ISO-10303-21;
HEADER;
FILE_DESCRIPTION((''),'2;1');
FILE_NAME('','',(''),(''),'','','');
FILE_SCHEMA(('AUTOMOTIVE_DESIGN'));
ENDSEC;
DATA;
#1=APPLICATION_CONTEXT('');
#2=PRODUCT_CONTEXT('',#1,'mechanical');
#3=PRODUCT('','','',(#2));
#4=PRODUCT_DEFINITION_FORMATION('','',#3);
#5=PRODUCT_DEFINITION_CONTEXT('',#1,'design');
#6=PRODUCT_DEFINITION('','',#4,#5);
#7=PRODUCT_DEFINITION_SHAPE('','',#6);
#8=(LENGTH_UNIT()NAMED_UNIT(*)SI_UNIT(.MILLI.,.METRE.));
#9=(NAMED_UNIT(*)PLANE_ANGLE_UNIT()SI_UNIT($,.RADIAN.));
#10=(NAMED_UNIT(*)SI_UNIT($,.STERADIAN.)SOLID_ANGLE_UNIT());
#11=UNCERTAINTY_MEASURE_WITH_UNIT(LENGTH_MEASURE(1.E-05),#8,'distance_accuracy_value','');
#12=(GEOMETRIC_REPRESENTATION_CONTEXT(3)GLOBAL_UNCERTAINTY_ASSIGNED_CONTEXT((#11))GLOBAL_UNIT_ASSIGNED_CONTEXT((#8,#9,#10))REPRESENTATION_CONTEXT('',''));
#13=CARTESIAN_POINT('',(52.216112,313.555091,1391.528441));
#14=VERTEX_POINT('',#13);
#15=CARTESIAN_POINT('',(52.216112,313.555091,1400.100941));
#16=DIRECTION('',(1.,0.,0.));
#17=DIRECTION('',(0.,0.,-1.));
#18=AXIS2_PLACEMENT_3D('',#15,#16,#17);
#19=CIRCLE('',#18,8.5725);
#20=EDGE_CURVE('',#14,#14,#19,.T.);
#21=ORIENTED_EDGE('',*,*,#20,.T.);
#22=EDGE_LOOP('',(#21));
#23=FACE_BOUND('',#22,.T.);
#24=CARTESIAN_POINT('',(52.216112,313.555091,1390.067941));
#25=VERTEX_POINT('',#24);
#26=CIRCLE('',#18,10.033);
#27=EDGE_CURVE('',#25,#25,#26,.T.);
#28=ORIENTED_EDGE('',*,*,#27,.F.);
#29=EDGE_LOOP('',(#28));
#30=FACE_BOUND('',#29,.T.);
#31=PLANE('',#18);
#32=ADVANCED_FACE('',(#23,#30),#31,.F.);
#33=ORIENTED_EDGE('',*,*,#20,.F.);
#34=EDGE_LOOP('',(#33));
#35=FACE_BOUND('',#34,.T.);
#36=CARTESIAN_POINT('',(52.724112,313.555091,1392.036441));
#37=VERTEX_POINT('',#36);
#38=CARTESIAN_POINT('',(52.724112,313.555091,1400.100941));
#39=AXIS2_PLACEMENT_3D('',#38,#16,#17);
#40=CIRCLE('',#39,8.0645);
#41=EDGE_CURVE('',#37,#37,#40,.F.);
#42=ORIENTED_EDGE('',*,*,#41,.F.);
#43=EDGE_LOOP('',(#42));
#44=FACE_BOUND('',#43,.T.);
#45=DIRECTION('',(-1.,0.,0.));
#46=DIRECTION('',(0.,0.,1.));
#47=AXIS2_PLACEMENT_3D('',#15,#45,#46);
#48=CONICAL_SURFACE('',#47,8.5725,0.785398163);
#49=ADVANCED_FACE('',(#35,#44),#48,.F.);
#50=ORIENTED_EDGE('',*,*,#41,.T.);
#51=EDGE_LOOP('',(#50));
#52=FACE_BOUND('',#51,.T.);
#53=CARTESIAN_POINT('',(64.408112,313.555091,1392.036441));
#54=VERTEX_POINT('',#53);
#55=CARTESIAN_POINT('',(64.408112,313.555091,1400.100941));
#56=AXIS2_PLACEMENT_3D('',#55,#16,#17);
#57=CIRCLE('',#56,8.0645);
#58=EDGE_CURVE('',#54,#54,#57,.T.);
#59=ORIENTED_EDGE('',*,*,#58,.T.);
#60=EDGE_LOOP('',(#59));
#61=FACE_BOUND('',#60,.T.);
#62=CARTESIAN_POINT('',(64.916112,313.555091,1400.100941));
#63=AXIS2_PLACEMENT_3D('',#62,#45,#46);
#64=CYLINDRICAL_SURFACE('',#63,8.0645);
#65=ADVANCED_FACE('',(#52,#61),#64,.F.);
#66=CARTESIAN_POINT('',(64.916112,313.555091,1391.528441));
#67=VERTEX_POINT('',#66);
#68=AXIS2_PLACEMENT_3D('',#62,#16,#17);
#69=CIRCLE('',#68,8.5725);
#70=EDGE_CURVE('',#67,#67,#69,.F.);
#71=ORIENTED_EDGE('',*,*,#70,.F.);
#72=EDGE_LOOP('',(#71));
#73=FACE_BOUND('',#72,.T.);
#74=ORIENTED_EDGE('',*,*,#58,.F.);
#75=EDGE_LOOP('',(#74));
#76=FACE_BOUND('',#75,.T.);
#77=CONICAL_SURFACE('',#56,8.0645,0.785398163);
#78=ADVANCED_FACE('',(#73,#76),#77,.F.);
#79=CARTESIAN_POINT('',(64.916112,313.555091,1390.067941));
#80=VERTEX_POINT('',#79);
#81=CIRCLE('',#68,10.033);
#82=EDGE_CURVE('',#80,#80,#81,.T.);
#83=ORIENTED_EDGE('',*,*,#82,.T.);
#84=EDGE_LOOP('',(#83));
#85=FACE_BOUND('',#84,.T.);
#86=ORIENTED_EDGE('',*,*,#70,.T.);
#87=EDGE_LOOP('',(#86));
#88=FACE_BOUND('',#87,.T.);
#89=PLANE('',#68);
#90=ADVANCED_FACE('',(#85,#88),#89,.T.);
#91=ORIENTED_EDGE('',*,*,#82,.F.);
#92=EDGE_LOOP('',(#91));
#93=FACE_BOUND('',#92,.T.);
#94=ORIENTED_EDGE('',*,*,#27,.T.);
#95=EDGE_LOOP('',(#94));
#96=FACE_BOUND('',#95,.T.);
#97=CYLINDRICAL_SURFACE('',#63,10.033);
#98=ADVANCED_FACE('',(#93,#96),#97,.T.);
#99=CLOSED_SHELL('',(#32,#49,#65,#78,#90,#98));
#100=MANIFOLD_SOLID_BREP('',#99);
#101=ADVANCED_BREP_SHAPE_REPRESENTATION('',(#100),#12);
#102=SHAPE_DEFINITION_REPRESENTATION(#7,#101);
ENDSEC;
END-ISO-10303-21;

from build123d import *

# Parameters (mm, degrees)
BOSS_EXTRUDE1_START = 52.216112
SKETCH1_R           = 10.033
SKETCH1_R_2         = 8.0645
BOSS_EXTRUDE1_DEPTH = 12.7
CHAMFER1_SIZE       = 0.508


with BuildPart() as part:
    # Sketch1 → Boss-Extrude1 (new body)
    with BuildSketch(Plane(origin=(0, 0, 0), x_dir=(0, 0, -1), z_dir=(1, 0, 0)).offset(BOSS_EXTRUDE1_START)):
        with Locations((-1400.10094117, 313.555090566)):
            Circle(SKETCH1_R)
        with Locations((-1400.10094117, 313.555090566)):
            Circle(SKETCH1_R_2, mode=Mode.SUBTRACT)
    extrude(amount=BOSS_EXTRUDE1_DEPTH)

    # Chamfer1
    chamfer1_edges = [part.edges().sort_by_distance(p)[0] for p in [
        (52.216112, 313.555090566, 1408.16544117),
        (64.916112, 313.555090566, 1408.16544117),
    ]]
    chamfer(chamfer1_edges, length=CHAMFER1_SIZE)


solid = part.part
